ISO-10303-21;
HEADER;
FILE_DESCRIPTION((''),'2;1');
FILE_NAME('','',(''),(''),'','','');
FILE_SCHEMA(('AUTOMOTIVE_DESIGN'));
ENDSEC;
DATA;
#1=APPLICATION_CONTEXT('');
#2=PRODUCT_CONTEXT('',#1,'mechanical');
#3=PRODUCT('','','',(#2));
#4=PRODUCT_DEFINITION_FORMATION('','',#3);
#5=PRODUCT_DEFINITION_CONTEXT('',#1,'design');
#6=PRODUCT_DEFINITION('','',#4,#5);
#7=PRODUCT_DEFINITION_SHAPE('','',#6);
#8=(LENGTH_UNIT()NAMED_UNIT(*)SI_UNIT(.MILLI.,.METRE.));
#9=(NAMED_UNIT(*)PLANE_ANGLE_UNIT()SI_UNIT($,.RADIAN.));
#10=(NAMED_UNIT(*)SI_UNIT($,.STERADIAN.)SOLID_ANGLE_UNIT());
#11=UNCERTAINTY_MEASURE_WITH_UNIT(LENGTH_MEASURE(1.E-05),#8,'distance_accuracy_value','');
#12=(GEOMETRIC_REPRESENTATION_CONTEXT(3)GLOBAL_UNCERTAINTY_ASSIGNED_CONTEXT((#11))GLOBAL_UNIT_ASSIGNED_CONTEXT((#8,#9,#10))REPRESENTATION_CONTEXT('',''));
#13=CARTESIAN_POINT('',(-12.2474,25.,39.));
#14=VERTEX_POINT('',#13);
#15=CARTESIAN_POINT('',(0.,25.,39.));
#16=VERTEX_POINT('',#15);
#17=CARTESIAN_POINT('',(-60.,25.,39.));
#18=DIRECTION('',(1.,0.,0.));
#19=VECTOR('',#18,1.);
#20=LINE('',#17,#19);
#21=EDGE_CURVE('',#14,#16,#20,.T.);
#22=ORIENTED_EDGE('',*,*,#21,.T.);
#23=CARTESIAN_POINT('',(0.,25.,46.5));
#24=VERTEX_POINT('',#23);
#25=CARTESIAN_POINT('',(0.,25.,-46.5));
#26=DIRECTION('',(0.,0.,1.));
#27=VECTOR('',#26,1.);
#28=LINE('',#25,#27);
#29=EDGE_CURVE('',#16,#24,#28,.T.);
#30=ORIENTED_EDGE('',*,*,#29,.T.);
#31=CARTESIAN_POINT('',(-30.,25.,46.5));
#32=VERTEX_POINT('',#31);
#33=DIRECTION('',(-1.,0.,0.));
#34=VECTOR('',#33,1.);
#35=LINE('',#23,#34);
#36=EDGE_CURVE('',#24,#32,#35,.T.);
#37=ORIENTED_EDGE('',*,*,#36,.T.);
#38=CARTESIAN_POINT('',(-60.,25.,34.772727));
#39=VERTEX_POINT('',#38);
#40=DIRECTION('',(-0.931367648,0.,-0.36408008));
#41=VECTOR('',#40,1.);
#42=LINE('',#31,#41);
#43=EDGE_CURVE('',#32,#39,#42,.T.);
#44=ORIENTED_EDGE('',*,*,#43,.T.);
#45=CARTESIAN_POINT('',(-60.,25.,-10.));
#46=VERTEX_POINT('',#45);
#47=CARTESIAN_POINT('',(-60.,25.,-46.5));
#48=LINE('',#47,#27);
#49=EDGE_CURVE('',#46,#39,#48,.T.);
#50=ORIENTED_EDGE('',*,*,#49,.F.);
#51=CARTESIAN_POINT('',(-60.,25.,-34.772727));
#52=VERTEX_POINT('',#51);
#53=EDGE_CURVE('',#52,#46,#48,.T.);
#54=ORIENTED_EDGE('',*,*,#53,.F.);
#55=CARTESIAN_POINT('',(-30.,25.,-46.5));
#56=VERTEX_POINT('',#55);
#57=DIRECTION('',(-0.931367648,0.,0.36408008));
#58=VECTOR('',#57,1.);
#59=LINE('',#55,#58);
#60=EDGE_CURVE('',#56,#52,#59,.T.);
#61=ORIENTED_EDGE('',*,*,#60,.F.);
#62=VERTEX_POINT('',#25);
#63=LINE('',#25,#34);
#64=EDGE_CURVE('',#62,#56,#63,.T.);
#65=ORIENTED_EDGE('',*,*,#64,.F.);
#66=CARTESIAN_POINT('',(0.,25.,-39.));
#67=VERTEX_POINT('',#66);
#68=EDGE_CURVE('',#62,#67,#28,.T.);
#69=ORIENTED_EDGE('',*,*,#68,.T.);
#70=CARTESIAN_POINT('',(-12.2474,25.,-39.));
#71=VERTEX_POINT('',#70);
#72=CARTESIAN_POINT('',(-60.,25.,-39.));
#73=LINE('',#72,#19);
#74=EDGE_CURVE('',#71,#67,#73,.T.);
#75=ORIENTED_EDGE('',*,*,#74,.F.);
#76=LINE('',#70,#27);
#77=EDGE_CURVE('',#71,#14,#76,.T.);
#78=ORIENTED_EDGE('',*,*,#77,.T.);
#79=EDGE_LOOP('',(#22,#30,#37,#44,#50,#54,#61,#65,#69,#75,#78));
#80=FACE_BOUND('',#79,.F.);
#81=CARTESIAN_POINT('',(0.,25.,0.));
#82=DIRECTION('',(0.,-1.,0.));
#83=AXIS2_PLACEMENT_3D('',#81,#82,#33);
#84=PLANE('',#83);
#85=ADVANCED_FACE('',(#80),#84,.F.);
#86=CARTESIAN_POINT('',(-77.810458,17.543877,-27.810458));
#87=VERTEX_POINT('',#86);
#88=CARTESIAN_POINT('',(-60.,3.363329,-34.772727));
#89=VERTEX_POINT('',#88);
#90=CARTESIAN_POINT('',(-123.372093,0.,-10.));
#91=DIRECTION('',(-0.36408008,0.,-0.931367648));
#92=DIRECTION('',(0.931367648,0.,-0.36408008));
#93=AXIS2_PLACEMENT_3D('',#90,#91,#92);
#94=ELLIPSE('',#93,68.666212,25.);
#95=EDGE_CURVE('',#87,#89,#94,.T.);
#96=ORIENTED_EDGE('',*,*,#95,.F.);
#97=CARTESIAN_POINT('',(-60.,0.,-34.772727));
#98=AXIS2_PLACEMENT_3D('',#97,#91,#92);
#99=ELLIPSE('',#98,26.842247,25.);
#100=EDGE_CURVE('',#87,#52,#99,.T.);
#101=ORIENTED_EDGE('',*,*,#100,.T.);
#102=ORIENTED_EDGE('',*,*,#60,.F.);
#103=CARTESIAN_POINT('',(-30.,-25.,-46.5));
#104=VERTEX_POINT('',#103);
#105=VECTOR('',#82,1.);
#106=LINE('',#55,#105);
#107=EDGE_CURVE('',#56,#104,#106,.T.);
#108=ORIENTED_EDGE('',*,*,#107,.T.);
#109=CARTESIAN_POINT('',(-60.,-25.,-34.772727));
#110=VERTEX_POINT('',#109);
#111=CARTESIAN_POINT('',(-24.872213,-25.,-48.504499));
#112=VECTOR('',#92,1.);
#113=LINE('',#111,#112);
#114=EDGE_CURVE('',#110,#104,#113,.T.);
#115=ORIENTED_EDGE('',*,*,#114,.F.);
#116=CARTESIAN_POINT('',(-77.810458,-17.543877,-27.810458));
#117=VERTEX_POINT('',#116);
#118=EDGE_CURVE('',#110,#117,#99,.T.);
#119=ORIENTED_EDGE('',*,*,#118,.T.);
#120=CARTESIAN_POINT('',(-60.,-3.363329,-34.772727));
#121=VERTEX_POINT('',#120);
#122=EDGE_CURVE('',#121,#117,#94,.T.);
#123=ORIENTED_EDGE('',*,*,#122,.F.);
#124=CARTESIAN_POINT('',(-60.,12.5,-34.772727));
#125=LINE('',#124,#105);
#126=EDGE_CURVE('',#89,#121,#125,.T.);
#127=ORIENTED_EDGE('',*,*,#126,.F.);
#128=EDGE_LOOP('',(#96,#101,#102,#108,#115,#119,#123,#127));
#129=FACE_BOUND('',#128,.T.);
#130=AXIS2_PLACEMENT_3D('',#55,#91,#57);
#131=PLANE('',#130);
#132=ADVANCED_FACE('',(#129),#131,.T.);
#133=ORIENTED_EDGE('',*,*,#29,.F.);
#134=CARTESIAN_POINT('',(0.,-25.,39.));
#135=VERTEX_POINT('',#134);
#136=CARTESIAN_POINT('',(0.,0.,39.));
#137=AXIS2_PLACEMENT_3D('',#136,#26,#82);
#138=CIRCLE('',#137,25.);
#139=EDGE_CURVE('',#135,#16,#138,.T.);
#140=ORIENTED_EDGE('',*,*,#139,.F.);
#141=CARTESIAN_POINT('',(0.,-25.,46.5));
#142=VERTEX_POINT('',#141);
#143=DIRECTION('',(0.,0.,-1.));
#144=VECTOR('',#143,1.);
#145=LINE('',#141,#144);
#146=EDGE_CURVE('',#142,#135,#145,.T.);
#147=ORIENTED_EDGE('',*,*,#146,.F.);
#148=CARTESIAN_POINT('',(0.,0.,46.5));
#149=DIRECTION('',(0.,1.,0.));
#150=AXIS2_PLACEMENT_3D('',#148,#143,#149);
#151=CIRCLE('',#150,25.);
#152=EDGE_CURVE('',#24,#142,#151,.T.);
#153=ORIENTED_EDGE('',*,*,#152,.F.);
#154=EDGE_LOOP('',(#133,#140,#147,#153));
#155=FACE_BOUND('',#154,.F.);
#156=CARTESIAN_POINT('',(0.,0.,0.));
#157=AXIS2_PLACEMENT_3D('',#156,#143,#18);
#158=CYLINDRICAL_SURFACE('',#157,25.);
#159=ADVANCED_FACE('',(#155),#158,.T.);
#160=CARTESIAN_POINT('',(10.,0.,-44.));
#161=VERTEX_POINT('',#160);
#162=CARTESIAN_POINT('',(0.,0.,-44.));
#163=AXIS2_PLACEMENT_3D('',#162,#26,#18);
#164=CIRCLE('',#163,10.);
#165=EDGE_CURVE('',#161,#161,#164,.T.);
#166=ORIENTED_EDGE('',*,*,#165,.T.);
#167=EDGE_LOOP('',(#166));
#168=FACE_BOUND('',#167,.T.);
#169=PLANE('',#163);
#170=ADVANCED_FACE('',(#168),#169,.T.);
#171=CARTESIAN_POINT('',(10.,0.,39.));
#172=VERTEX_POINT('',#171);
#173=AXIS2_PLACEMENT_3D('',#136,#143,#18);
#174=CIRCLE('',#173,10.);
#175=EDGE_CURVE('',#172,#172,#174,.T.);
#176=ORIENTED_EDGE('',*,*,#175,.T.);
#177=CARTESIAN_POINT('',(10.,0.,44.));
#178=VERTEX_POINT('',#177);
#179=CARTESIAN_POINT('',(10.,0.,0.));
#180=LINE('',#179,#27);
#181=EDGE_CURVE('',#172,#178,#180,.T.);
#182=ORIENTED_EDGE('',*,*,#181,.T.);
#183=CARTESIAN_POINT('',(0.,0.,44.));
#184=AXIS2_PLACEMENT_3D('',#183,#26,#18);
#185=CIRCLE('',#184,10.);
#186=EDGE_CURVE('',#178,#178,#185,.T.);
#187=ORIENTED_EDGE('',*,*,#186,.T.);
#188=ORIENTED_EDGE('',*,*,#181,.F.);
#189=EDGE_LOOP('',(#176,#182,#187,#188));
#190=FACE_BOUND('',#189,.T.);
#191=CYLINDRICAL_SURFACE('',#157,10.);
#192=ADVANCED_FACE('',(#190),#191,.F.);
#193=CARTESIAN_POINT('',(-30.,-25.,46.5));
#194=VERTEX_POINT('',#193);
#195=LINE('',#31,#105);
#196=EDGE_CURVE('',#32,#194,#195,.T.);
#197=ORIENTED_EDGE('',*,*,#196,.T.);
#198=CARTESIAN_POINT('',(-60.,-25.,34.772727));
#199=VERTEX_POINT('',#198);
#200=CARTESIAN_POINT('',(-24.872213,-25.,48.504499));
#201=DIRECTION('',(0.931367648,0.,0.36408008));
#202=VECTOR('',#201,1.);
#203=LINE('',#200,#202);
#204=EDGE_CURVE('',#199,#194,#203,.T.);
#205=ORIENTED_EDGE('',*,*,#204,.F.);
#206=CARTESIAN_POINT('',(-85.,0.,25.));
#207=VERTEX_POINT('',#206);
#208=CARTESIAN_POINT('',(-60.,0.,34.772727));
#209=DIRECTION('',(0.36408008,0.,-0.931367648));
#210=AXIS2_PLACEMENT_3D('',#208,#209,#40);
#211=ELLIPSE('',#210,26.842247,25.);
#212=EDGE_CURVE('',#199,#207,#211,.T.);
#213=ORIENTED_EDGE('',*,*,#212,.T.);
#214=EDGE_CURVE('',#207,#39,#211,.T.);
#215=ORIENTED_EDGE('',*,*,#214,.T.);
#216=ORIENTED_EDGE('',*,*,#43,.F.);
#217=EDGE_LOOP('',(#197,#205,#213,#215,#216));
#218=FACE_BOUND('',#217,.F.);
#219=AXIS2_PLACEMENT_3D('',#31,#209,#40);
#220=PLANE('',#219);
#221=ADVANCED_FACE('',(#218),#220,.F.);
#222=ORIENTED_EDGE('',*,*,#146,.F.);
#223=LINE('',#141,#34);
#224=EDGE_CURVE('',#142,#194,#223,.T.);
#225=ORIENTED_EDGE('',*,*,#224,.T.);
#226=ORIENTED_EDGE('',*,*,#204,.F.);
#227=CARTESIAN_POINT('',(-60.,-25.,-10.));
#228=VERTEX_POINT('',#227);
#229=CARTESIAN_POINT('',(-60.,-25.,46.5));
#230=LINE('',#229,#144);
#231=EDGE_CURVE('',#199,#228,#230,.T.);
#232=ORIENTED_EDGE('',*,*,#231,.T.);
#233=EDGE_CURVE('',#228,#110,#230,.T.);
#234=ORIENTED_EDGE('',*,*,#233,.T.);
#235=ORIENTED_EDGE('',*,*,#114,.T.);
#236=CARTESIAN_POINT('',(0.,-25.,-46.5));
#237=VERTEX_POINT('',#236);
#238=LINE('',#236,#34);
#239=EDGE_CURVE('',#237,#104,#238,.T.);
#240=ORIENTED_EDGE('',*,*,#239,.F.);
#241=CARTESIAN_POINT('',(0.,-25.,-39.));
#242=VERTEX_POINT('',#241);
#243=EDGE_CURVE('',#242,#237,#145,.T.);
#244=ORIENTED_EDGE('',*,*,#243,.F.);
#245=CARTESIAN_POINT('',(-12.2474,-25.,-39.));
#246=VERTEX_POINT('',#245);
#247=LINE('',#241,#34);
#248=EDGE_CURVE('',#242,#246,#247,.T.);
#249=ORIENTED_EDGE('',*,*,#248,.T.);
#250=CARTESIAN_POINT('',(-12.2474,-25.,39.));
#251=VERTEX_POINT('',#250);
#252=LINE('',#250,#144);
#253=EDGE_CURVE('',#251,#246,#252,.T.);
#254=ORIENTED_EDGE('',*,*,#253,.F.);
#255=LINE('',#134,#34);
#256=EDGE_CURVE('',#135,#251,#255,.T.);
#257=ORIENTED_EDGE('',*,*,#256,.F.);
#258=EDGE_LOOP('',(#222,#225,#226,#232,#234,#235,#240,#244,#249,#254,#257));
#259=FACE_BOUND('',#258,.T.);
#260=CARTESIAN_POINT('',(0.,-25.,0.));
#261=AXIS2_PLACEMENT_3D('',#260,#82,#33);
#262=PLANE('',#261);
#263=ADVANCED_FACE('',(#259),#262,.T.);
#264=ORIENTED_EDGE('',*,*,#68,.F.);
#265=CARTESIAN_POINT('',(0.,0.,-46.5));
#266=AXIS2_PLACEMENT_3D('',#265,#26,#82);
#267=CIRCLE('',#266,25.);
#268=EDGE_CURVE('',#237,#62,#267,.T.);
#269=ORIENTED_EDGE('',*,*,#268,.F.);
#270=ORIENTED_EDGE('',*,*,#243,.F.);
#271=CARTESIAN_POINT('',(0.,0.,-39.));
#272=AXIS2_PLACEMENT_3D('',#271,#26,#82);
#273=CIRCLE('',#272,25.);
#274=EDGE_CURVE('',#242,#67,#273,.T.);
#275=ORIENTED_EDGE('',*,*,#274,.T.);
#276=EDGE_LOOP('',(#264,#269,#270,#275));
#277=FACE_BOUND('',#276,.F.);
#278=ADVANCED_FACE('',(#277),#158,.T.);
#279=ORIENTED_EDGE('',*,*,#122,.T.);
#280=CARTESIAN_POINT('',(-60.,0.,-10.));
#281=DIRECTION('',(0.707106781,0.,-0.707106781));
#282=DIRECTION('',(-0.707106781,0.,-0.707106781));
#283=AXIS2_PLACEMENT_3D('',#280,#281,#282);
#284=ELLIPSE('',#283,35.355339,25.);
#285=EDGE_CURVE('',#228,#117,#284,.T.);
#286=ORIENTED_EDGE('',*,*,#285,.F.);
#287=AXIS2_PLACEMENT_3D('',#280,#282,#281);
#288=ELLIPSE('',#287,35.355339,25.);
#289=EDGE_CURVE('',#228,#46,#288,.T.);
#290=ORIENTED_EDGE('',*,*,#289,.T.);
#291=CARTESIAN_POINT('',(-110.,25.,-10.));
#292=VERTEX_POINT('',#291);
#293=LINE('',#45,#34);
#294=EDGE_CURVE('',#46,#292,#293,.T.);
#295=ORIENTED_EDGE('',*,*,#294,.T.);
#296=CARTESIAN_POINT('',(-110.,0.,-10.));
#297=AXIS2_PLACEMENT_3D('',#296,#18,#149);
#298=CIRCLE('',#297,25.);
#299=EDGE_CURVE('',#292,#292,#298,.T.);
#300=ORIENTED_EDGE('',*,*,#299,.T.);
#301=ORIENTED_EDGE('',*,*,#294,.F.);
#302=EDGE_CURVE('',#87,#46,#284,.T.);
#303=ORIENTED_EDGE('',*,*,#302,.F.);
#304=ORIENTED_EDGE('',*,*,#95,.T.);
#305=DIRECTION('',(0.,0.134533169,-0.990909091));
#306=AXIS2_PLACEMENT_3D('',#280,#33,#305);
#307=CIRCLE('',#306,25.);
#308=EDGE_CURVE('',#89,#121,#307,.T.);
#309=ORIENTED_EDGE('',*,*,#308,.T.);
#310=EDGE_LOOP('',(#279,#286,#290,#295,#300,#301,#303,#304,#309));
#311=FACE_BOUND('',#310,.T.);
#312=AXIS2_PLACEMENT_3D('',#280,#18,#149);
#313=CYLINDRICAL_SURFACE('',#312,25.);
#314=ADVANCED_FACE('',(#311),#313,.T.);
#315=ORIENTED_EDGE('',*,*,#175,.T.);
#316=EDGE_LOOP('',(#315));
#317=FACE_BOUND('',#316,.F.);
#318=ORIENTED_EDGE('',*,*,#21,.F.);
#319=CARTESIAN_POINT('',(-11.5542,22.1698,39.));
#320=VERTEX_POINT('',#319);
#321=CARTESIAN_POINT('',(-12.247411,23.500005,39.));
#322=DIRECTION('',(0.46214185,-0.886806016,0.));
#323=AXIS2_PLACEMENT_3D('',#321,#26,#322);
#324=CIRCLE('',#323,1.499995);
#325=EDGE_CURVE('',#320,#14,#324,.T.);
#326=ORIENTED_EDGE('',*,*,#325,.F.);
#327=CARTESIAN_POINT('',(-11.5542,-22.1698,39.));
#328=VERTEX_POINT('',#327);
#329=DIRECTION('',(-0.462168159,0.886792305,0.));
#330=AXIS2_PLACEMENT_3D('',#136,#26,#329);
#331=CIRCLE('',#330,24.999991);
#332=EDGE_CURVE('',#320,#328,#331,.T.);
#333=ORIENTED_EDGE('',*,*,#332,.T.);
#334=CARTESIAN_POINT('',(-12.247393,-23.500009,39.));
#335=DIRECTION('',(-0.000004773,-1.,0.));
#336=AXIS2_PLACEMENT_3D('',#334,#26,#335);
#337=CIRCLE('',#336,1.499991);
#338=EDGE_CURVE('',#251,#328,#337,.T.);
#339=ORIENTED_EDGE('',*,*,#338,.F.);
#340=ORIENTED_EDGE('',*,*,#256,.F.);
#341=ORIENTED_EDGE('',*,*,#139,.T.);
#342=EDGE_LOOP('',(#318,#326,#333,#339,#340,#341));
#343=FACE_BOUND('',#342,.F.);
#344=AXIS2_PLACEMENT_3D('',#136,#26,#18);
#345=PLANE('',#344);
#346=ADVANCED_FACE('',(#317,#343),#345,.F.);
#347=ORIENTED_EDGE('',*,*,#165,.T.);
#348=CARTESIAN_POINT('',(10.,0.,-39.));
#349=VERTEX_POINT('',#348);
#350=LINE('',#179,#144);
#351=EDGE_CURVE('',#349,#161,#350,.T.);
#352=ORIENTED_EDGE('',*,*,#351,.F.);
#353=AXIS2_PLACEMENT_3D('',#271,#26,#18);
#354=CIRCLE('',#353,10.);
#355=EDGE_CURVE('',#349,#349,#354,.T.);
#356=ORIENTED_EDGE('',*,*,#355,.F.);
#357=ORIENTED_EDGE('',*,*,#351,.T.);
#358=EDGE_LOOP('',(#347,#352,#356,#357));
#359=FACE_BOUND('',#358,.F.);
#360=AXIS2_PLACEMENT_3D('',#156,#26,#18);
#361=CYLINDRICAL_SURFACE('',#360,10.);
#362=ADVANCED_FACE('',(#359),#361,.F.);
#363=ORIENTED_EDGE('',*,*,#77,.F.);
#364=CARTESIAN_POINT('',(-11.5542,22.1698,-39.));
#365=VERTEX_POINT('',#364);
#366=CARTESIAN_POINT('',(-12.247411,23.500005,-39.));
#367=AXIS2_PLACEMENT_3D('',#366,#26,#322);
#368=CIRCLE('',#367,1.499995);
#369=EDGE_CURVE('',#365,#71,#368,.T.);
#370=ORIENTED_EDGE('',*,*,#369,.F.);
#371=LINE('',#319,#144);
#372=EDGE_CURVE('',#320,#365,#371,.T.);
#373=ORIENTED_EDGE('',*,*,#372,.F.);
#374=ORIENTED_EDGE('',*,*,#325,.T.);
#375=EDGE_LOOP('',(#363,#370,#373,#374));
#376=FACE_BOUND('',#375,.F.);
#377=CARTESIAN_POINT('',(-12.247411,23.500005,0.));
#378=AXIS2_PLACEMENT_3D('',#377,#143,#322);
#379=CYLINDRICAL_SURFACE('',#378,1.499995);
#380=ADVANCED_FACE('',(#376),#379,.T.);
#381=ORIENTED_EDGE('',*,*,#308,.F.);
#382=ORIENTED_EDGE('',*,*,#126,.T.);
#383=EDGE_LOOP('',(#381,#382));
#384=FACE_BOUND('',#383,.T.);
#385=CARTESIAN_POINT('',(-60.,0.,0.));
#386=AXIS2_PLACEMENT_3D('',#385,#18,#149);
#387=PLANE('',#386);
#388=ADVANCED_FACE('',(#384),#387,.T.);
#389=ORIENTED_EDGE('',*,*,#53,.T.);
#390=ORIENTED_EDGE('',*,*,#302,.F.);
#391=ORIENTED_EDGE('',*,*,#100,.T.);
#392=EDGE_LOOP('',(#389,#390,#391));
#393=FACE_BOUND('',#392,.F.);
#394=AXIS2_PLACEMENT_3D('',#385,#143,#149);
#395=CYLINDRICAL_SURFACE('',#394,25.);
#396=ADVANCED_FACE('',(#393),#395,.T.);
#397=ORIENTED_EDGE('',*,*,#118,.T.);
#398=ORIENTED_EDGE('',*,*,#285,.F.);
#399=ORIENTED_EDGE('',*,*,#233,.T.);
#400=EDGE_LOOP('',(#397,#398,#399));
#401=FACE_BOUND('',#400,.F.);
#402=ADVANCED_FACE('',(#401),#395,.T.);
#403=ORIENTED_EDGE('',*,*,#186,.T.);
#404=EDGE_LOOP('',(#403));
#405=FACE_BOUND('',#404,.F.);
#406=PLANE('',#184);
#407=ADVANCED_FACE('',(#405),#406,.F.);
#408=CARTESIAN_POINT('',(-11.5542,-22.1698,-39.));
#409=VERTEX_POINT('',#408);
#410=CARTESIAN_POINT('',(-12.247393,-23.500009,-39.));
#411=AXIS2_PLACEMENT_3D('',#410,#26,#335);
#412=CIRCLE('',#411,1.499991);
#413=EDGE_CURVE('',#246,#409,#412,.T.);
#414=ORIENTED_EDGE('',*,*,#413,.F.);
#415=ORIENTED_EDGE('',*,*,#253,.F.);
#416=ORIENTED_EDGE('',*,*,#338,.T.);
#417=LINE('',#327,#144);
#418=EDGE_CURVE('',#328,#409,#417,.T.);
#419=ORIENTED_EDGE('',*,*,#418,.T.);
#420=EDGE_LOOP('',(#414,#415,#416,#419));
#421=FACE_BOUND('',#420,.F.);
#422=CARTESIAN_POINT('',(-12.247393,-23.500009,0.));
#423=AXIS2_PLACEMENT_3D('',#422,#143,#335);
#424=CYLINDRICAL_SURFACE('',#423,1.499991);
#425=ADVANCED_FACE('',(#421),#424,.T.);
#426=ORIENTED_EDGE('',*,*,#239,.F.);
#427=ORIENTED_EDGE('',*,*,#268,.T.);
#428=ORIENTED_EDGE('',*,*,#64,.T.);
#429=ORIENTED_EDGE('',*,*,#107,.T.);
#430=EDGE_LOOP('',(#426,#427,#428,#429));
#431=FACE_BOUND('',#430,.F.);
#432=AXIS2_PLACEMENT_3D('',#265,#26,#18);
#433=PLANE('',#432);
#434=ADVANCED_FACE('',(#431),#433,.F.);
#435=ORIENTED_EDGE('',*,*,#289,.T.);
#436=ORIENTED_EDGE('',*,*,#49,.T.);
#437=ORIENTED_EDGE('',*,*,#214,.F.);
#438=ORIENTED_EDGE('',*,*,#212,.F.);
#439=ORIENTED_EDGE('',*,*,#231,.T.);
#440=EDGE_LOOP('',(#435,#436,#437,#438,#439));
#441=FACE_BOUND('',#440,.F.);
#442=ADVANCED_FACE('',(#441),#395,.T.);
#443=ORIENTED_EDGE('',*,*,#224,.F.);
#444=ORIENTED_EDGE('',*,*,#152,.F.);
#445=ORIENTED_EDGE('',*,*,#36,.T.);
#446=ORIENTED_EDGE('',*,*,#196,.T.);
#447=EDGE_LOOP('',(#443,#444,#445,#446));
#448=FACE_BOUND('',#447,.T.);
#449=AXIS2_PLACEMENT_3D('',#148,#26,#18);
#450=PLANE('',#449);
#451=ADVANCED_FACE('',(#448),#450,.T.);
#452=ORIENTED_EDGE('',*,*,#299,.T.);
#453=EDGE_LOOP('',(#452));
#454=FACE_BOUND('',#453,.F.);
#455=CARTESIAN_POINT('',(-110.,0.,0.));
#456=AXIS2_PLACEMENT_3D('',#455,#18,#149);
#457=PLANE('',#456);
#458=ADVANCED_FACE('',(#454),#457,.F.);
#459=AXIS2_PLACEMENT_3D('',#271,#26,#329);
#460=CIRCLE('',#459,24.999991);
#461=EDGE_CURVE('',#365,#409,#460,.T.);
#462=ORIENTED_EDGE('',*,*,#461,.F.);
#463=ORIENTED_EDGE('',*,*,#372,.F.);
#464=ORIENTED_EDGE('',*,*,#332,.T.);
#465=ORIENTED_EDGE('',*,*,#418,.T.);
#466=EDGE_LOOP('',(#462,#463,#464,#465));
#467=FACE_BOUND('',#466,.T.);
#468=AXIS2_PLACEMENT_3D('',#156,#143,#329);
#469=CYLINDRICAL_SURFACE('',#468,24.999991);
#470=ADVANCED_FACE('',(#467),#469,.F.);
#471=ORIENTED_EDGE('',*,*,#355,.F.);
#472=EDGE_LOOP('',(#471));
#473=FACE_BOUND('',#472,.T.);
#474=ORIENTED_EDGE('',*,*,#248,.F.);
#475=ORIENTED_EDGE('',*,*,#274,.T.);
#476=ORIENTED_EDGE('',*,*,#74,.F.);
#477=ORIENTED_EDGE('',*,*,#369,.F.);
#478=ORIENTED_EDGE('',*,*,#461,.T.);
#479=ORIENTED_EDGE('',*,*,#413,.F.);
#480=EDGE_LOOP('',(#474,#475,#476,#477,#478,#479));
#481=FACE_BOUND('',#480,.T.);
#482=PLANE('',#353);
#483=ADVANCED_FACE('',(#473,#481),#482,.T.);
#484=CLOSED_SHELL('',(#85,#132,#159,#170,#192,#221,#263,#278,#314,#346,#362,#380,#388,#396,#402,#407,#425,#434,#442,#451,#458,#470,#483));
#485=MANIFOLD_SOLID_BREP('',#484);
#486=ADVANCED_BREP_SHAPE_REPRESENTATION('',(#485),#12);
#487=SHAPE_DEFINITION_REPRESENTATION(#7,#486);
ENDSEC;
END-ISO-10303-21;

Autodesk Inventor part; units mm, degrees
ref_plane "XZ Plane" through (0, 0, 0) normal (0, 1, 0) x (-1, 0, 0)
ref_plane "XY Plane" through (0, 0, 0) normal (0, 0, 1) x (1, 0, 0)
sketch "Sketch1" plane through (0, 0, 0) normal (0, 0, 1) x (1, 0, 0)
  circle A0 centre (0, 0) radius 25
  line L0 (0, 25) -> (-60, 25)
  line L1 (0, -25) -> (-60, -25)
  arc A1 (-60, 25) -> (-60, -25) centre (-60, 0) ccw
  dimension "d0" = 50
  dimension "d1" = 60
  dimension "d2" = 60
  dimension "d3" = 25
extrude "Extrusion1" add sketch "Sketch1" along normal mid plane 93
sketch "Sketch2" plane through (0, 0, 0) normal (0, 0, 1) x (1, 0, 0)
  arc A0 (0, -25) -> (0, 25) centre (0, 0) ccw
  arc A1 (-12.2474, 25) -> (-11.5542, 22.1698) centre (-12.2474, 23.5) ccw construction
  arc A2 (-11.5542, -22.1698) -> (-12.2474, -25) centre (-12.2474, -23.5) ccw construction
  line L0 (0, -25) -> (-60, -25) projected
  line L1 (-60, 25) -> (0, 25) projected
  line L2 (-12.2474, 25) -> (0, 25)
  arc A3 (0, -25) -> (0, 25) centre (0, 0) ccw projected
  line L3 (-12.2474, -25) -> (0, -25)
  arc A4 (-11.5542, -22.1698) -> (0, -25) centre (0, 0) ccw construction
  arc A5 (-12.2474, -25) -> (-11.5542, -22.1698) centre (-12.2474, -23.5) ccw
  arc A6 (-11.5542, 22.1698) -> (-12.2474, 25) centre (-12.2474, 23.5) ccw
  arc A7 (-11.5542, 22.1698) -> (-11.5542, -22.1698) centre (0, 0) ccw
  arc A8 (0, 25) -> (-11.5542, 22.1698) centre (0, 0) ccw construction
  dimension "d7" = 3
  dimension "d8" = 3
extrude "Extrusion2" cut sketch "Sketch2" along normal mid plane 78
sketch "Sketch3" plane through (0, 0, 0) normal (0, 0, 1) x (1, 0, 0)
  circle A0 centre (0, 0) radius 10
  dimension "d11" = 20
extrude "Extrusion3" cut sketch "Sketch3" along normal mid plane 88
sketch "Sketch4" plane through (-60, 25, -46.5) normal (0, 1, 0) x (1, 0, 0)
  line L0 (35, -7.5) -> (35, -85.5) projected
  line L1 (0, -93) -> (60, -93) projected
  line L2 (30, -93) -> (30, 0)
  line L3 (60, 0) -> (0, 0) projected
  line L4 (30, -93) -> (-25, -71.5)
  line L5 (-25, 0) -> (-25, -93) projected
  line L6 (-25, -71.5) -> (-25, -93)
  line L7 (30, -93) -> (-25, -93)
  line L8 (30, 0) -> (-25, -21.5)
  line L9 (-25, 0) -> (30, 0)
  line L10 (-25, -21.5) -> (-25, 0)
  point P0 (60, -46.5)
  dimension "d14" = 5
  dimension "d15" = 50
  dimension "d16" = 21.5
extrude "Extrusion4" cut sketch "Sketch4" against normal through all contours L7 L5 L4 L1 | L8 L5 L9 L3
ref_plane "Work Plane1" through (-60, 0, 0) normal (1, 0, 0) x (0, 1, 0)
sketch "Sketch5" plane through (-60, 0, 0) normal (1, 0, 0) x (0, 1, 0)
  circle A0 centre (0, -10) radius 25
  line L0 (-25, -46.5) -> (25, -46.5) projected
  line L1 (0, -46.5) -> (0, -10)
  dimension "d20" = 50
  dimension "d23" = 36.5
extrude "Extrusion5" add sketch "Sketch5" against normal blind 50
properties part number "Arm 5 v0.1"
